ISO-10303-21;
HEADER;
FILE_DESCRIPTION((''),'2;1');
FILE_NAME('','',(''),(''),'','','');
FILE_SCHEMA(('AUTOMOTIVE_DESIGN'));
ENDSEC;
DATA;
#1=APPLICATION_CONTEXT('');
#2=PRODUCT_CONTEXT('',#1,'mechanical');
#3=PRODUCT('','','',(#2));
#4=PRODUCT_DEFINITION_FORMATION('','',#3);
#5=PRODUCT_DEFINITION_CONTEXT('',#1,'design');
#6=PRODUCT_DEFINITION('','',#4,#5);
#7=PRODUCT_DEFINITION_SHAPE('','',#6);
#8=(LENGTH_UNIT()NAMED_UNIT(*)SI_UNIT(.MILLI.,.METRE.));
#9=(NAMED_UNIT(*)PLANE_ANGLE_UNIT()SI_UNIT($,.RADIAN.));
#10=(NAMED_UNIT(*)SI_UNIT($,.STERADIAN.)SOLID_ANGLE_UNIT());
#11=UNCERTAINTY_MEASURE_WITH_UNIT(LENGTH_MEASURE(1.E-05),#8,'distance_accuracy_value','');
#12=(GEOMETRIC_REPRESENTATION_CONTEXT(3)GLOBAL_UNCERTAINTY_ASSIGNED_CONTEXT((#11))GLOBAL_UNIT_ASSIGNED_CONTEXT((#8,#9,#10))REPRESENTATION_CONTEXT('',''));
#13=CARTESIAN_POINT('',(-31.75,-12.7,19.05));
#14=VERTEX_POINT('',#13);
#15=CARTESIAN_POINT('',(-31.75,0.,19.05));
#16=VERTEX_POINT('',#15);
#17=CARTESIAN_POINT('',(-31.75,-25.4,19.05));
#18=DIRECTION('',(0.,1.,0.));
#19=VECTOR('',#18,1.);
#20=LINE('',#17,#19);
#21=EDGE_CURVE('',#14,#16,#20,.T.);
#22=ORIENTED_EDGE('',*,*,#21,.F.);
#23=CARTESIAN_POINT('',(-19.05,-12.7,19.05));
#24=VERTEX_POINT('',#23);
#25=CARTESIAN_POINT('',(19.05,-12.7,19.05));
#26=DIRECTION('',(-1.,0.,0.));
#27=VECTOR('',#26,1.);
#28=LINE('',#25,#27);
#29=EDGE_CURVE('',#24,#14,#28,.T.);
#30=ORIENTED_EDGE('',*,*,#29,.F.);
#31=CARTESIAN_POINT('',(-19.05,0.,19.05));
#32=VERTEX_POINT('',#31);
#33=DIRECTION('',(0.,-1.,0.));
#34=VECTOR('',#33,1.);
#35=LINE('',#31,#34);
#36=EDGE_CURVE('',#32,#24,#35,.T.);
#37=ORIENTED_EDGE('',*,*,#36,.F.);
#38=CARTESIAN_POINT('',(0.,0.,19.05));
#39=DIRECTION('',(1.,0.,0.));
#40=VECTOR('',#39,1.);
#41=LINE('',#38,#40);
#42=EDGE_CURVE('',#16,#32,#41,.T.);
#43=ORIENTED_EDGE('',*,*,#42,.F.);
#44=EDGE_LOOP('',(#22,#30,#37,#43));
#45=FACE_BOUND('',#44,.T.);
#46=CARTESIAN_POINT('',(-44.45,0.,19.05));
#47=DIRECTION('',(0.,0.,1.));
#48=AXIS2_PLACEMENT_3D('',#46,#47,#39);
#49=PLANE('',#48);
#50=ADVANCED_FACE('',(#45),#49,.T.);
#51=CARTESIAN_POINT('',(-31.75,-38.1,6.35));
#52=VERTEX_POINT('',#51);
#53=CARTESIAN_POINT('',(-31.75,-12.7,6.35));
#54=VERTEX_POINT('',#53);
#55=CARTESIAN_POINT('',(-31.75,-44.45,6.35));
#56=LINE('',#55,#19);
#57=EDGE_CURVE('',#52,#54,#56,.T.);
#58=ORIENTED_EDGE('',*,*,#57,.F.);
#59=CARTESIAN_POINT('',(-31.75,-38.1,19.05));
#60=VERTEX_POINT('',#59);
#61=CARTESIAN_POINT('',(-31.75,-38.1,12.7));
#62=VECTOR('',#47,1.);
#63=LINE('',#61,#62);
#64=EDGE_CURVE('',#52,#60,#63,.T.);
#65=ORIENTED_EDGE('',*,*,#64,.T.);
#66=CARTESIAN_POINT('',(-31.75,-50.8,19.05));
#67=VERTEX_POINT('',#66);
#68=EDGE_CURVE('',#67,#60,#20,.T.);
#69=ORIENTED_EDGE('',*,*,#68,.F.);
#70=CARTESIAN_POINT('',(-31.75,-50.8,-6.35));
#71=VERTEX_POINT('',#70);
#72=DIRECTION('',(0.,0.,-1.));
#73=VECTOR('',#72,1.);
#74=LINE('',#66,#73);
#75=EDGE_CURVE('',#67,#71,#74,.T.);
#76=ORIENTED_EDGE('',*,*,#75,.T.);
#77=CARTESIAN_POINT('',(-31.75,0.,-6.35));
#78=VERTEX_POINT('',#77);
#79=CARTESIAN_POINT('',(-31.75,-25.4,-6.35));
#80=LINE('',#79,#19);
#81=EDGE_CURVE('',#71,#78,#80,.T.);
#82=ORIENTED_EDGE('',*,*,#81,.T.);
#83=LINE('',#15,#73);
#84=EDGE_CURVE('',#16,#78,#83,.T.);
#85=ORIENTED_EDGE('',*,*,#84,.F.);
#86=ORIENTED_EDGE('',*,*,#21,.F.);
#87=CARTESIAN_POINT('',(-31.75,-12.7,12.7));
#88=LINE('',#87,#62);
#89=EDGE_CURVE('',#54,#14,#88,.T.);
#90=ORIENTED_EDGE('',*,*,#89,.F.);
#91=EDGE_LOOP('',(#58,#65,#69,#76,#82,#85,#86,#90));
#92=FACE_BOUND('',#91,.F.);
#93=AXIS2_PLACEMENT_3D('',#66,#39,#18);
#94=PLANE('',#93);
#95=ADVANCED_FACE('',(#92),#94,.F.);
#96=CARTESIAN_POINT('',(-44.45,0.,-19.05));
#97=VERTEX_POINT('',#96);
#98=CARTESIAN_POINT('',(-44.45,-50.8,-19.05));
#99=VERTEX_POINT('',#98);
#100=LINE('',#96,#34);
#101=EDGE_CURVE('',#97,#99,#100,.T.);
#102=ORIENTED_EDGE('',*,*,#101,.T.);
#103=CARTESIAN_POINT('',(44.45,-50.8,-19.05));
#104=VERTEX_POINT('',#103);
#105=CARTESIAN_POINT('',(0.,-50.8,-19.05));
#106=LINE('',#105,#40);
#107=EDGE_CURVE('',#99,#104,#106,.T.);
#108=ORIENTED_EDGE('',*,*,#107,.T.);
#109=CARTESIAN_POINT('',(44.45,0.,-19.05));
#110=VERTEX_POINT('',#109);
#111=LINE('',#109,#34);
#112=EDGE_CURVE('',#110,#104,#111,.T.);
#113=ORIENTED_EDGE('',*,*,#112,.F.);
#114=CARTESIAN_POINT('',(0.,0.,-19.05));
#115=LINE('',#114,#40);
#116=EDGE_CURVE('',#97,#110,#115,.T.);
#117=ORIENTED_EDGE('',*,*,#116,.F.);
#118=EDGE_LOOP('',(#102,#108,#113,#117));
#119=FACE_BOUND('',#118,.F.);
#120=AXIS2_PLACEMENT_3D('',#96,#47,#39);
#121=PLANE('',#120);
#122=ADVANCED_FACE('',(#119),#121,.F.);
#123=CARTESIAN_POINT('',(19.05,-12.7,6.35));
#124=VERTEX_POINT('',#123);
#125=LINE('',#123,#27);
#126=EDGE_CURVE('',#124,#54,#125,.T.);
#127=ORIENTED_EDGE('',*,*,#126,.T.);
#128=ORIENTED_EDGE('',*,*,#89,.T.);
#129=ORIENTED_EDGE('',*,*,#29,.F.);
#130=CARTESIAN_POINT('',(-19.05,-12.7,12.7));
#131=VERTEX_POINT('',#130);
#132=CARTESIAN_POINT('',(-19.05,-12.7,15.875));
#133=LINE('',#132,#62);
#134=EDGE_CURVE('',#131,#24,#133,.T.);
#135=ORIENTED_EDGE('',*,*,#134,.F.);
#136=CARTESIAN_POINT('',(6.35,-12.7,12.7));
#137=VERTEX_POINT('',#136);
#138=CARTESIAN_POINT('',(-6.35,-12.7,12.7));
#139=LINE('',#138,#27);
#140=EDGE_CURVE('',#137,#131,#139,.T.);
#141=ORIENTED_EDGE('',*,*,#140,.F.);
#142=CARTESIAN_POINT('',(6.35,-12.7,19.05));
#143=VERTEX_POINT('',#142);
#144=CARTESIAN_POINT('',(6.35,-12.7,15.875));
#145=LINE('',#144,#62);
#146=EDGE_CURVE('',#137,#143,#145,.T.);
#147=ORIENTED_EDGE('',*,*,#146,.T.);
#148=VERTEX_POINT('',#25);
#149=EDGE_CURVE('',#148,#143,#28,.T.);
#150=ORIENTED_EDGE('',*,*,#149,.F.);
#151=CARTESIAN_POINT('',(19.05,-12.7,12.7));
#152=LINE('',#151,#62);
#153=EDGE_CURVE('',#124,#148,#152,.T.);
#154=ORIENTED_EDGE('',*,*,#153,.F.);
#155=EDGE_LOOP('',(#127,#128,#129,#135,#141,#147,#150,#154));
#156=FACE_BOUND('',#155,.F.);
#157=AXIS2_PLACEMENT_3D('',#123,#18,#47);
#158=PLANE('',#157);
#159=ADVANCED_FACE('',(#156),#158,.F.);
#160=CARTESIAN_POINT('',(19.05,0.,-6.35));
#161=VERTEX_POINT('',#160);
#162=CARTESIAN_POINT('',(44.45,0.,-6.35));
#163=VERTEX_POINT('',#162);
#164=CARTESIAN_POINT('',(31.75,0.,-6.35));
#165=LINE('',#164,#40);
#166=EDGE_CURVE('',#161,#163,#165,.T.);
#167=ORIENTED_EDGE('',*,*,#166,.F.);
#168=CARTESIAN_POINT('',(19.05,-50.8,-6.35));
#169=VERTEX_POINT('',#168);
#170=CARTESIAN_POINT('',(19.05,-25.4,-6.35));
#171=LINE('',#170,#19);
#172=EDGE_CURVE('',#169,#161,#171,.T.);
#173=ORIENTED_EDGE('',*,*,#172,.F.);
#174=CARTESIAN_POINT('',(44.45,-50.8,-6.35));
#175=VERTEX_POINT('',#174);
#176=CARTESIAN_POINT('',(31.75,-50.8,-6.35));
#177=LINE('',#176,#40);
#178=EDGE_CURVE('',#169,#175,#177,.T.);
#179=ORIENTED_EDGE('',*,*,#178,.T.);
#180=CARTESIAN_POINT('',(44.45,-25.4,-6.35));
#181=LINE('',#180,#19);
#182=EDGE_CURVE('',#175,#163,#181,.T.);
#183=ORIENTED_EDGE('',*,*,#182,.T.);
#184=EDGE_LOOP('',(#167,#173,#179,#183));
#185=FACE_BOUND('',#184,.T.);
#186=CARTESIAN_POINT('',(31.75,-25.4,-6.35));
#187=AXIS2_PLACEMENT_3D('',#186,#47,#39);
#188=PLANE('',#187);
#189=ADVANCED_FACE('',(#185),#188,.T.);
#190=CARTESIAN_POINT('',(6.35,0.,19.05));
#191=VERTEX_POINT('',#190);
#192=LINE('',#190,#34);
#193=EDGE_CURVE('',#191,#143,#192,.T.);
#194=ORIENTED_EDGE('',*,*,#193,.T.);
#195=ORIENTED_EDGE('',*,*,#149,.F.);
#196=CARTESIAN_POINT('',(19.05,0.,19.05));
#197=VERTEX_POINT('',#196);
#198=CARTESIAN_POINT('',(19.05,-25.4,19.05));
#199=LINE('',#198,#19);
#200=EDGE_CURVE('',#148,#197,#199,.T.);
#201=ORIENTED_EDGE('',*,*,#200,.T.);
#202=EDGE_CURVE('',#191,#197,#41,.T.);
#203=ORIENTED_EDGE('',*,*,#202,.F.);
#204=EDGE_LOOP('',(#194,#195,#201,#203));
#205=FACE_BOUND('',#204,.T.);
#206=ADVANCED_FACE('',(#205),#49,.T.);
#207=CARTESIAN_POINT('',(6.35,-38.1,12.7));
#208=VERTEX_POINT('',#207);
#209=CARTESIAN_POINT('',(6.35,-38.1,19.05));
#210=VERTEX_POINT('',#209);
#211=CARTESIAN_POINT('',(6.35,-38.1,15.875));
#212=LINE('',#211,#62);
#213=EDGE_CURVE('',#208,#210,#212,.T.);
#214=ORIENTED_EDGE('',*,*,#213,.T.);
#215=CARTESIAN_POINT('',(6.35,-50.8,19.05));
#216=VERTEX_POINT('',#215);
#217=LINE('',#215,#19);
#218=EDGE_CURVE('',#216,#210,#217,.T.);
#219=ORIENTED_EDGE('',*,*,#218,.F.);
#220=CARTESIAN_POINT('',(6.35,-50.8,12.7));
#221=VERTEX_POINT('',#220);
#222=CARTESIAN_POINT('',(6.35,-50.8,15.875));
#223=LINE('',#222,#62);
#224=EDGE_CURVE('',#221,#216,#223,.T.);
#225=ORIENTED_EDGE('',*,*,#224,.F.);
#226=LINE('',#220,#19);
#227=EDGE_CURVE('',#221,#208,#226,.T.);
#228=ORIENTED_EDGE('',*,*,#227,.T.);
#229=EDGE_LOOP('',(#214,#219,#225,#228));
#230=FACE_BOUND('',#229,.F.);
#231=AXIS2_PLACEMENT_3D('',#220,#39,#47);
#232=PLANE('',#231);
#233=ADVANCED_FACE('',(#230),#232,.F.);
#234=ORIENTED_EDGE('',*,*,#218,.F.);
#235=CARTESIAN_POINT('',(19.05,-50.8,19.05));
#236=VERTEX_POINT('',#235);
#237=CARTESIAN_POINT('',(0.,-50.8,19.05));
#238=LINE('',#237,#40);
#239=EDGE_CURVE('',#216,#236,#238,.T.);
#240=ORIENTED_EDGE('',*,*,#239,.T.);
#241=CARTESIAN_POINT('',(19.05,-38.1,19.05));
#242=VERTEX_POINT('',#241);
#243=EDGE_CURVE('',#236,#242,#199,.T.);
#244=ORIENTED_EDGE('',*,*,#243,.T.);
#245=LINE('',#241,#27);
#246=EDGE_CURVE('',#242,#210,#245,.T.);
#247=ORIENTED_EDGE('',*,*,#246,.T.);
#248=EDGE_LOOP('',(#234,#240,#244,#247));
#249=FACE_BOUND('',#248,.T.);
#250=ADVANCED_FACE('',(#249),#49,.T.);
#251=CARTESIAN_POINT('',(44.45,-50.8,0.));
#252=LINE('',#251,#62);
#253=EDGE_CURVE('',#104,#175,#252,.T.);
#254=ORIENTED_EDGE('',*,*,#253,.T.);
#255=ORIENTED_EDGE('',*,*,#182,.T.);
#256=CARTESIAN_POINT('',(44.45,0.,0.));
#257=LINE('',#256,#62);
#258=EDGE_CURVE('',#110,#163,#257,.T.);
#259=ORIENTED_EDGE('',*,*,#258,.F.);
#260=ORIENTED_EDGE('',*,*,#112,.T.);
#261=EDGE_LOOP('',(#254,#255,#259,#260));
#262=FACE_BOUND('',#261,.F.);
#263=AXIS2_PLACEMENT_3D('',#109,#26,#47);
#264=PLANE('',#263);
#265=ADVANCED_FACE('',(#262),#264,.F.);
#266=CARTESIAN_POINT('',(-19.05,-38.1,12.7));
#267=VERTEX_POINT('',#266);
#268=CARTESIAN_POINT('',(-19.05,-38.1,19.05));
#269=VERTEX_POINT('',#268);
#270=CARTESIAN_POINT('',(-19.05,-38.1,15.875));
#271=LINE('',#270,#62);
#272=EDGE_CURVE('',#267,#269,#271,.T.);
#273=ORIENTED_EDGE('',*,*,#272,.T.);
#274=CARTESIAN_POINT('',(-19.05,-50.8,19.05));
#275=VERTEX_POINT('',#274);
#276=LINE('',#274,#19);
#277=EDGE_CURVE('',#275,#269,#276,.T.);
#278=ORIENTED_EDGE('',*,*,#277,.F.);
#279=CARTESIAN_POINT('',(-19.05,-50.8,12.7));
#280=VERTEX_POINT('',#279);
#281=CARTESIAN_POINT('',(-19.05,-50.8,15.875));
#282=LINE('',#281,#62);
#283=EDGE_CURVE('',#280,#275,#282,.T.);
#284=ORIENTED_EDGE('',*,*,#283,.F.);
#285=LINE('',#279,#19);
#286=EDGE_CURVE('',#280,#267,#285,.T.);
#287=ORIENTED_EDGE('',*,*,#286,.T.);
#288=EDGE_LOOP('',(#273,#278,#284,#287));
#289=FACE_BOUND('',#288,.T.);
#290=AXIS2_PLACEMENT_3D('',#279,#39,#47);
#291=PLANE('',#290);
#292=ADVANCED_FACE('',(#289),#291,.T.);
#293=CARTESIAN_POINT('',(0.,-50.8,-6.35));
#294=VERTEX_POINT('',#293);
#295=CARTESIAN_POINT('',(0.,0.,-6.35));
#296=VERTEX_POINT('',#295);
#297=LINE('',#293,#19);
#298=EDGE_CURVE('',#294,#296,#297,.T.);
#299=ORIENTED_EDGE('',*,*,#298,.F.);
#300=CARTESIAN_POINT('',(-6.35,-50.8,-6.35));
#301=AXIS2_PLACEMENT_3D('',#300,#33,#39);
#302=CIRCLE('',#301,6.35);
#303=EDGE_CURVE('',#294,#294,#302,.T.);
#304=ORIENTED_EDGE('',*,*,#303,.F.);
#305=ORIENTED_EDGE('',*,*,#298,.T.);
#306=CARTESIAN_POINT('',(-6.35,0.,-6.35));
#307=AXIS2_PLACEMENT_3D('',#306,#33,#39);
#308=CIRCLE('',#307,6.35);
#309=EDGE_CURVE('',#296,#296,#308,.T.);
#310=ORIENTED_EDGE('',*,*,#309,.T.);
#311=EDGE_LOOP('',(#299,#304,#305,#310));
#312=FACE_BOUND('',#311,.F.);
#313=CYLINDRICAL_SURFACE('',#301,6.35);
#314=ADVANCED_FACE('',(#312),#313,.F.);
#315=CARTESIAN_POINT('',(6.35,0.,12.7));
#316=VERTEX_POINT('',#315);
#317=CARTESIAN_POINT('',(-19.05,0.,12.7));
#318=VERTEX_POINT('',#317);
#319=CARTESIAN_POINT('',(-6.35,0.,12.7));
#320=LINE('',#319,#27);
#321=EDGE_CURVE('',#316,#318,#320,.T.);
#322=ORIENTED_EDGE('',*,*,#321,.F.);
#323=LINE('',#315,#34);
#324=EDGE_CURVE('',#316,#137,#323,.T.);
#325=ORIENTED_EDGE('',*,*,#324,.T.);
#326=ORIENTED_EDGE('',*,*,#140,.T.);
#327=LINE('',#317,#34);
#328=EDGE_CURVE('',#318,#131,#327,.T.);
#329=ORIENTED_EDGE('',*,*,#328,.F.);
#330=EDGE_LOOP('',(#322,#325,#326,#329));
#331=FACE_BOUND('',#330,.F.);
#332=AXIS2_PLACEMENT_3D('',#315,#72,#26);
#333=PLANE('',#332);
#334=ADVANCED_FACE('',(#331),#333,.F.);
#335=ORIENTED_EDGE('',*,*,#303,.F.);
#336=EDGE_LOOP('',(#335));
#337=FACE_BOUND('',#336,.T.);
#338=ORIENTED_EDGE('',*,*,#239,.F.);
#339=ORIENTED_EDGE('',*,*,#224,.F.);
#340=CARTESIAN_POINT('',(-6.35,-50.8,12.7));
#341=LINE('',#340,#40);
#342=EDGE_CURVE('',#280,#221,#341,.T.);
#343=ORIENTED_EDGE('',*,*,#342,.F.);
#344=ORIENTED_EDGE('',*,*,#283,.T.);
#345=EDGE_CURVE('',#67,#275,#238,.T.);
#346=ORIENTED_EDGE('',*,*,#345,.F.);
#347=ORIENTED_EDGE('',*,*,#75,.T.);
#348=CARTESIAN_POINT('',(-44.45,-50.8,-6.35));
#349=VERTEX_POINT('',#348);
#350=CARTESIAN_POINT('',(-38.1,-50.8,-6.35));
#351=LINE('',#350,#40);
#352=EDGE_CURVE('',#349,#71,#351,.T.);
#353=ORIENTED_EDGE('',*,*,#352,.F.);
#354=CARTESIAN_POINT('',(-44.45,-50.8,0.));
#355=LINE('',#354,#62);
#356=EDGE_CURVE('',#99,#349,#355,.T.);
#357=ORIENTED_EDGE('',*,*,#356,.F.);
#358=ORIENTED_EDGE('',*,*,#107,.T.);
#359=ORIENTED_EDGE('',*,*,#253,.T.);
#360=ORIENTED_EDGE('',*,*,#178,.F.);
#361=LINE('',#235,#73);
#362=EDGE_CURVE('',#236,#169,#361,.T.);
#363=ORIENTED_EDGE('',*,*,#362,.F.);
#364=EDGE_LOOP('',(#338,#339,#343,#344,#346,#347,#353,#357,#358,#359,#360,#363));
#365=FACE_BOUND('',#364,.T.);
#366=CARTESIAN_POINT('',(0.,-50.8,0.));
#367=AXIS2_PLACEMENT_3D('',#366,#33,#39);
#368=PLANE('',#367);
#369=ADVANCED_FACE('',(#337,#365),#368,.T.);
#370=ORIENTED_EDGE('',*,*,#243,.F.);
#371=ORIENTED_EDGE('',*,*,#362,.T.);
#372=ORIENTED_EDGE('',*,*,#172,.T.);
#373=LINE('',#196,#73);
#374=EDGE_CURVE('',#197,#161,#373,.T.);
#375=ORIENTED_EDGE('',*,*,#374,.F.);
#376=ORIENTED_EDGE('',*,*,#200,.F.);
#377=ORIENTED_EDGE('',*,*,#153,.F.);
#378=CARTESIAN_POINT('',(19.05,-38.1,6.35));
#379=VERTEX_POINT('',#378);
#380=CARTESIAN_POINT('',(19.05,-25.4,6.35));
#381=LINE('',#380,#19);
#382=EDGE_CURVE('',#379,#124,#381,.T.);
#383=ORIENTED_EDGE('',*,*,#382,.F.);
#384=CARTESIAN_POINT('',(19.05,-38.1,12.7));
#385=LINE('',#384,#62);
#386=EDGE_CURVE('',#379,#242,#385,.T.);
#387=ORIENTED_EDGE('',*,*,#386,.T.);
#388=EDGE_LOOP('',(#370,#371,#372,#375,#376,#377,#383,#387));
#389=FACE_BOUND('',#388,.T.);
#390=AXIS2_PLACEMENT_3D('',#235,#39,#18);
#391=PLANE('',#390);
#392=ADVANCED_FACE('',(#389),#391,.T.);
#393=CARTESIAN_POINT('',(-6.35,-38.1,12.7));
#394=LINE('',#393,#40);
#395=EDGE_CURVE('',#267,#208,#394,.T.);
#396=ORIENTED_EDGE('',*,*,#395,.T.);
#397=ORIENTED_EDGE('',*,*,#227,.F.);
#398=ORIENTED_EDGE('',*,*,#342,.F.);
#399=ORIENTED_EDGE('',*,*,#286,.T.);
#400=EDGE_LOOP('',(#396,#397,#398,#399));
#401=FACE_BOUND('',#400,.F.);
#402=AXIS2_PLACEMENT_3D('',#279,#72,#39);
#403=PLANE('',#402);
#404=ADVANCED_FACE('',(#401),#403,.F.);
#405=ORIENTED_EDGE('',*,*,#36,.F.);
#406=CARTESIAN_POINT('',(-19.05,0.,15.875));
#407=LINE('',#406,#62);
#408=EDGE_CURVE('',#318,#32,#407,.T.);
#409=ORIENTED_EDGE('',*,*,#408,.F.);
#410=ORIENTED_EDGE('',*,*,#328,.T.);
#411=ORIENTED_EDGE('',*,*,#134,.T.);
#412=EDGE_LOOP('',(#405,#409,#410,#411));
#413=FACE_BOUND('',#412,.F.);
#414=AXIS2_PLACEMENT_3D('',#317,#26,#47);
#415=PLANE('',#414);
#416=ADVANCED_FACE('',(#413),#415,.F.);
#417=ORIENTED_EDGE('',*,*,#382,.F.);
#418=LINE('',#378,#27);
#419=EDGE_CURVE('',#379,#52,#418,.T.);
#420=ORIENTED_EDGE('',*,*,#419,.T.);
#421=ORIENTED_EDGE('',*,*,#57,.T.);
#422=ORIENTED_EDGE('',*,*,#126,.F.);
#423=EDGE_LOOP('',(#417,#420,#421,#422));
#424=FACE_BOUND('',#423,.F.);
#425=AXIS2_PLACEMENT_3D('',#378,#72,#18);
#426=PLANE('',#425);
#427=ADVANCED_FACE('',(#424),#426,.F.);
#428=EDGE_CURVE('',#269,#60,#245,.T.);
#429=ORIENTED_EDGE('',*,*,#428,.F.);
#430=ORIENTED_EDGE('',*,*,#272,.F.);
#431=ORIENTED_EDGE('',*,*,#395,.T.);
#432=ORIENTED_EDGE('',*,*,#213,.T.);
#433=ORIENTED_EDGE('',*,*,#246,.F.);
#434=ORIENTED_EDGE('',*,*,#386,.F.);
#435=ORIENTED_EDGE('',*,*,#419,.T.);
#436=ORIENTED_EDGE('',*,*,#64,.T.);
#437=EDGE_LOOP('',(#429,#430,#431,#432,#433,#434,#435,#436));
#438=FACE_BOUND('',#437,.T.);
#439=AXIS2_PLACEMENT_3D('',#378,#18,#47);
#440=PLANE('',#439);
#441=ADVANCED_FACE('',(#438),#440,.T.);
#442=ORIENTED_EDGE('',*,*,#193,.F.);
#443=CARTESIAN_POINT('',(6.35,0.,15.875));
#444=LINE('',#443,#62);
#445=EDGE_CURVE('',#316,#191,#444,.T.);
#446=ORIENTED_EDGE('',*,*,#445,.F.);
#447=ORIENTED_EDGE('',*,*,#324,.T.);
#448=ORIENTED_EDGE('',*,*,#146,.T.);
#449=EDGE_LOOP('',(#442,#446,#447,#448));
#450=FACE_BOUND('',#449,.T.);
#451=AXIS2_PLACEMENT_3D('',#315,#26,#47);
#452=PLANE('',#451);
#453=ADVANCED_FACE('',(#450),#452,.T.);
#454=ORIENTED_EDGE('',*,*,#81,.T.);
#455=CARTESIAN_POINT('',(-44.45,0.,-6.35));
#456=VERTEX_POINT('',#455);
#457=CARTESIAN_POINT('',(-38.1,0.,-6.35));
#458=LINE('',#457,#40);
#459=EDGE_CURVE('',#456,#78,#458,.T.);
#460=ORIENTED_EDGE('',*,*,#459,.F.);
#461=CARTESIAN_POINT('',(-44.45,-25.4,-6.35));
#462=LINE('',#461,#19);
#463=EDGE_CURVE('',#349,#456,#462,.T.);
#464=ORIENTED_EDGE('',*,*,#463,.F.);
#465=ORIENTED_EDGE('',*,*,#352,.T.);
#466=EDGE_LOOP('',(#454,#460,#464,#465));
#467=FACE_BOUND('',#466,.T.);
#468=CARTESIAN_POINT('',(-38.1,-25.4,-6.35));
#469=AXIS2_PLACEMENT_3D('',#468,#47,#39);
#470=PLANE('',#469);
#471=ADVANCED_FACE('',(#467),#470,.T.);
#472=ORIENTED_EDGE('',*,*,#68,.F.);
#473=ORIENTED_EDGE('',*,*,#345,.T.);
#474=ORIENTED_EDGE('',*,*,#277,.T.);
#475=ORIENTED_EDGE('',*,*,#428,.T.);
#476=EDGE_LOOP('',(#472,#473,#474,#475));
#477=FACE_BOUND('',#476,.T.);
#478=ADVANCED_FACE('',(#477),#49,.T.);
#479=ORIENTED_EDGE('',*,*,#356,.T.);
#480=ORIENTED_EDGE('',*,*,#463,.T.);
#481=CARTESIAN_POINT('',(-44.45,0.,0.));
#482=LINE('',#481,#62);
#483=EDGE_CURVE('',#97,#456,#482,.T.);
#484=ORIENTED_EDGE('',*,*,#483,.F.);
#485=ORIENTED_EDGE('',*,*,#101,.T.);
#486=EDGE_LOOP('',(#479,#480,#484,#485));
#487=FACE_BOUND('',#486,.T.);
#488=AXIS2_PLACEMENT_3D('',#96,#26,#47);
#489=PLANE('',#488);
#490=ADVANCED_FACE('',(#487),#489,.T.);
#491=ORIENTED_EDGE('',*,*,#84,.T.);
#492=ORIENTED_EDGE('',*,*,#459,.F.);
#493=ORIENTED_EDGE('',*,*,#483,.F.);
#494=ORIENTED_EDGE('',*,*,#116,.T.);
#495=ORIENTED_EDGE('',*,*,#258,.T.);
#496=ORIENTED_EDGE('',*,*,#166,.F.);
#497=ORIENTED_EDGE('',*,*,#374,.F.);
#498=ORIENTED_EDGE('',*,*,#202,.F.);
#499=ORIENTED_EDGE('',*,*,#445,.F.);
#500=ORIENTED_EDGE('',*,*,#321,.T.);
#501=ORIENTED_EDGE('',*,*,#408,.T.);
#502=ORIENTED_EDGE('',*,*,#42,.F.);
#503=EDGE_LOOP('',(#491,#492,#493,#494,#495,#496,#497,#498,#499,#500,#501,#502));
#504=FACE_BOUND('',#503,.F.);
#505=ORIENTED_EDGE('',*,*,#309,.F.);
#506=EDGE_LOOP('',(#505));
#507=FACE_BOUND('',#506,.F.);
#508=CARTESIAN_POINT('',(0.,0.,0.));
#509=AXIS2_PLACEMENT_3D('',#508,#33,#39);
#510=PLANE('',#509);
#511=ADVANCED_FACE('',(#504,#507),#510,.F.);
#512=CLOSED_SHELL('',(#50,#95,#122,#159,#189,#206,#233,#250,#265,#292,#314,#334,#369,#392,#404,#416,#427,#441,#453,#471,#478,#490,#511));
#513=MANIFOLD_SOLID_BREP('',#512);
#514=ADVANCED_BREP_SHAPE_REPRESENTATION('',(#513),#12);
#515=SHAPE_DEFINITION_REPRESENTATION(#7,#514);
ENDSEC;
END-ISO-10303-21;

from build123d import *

# Parameters (mm, degrees)
F0_W      = 88.9
F0_H      = 38.1
F1_DEPTH  = 50.8
F2_W      = 12.7
F2_H      = 50.8
F3_DEPTH  = 25.4
F4_W      = 25.4
F4_H      = 50.8
F5_DEPTH  = 25.4
F6_R      = 6.35
F7_DEPTH  = 50.801
F8_W      = 25.4
F8_H      = 12.7
F9_DEPTH  = 63.501
F10_W     = 25.4
F10_H     = 6.35
F11_DEPTH = 12.7
F12_W     = 25.4
F12_H     = 6.35
F13_DEPTH = 12.7


with BuildPart() as f1:
    # F0 (on Front) → F1 (new body)
    with BuildSketch(Plane.XZ):
        Rectangle(F0_W, F0_H)
    extrude(amount=F1_DEPTH)

    # F2 (on face) → F3 (cut)
    with BuildSketch(Plane.XY.offset(19.05)):
        with Locations((-38.1, -25.4)):
            Rectangle(F2_W, F2_H)
    extrude(amount=-F3_DEPTH, mode=Mode.SUBTRACT)

    # F4 (on face) → F5 (cut)
    with BuildSketch(Plane.XY.offset(19.05)):
        with Locations((31.75, -25.4)):
            Rectangle(F4_W, F4_H)
    extrude(amount=-F5_DEPTH, mode=Mode.SUBTRACT)

    # F6 (on face) → F7 (cut, through all)
    with BuildSketch(Plane.XZ.offset(50.8)):
        with Locations((-6.35, -6.35)):
            Circle(F6_R)
    extrude(amount=-F7_DEPTH, mode=Mode.SUBTRACT)

    # F8 (on face) → F9 (cut, through all)
    with BuildSketch(Plane.YZ.offset(19.05)):
        with Locations((-25.4, 12.7)):
            Rectangle(F8_W, F8_H)
    extrude(amount=-F9_DEPTH, mode=Mode.SUBTRACT)

    # F10 (on face) → F11 (cut)
    with BuildSketch(Plane.XZ.offset(50.8)):
        with Locations((-6.35, 15.875)):
            Rectangle(F10_W, F10_H)
    extrude(amount=-F11_DEPTH, mode=Mode.SUBTRACT)

    # F12 (on face) → F13 (cut)
    with BuildSketch(Plane(origin=(0, 0, 0), x_dir=(-1, 0, 0), z_dir=(0, 1, 0))):
        with Locations((6.35, 15.875)):
            Rectangle(F12_W, F12_H)
    extrude(amount=-F13_DEPTH, mode=Mode.SUBTRACT)


solid = f1.part
